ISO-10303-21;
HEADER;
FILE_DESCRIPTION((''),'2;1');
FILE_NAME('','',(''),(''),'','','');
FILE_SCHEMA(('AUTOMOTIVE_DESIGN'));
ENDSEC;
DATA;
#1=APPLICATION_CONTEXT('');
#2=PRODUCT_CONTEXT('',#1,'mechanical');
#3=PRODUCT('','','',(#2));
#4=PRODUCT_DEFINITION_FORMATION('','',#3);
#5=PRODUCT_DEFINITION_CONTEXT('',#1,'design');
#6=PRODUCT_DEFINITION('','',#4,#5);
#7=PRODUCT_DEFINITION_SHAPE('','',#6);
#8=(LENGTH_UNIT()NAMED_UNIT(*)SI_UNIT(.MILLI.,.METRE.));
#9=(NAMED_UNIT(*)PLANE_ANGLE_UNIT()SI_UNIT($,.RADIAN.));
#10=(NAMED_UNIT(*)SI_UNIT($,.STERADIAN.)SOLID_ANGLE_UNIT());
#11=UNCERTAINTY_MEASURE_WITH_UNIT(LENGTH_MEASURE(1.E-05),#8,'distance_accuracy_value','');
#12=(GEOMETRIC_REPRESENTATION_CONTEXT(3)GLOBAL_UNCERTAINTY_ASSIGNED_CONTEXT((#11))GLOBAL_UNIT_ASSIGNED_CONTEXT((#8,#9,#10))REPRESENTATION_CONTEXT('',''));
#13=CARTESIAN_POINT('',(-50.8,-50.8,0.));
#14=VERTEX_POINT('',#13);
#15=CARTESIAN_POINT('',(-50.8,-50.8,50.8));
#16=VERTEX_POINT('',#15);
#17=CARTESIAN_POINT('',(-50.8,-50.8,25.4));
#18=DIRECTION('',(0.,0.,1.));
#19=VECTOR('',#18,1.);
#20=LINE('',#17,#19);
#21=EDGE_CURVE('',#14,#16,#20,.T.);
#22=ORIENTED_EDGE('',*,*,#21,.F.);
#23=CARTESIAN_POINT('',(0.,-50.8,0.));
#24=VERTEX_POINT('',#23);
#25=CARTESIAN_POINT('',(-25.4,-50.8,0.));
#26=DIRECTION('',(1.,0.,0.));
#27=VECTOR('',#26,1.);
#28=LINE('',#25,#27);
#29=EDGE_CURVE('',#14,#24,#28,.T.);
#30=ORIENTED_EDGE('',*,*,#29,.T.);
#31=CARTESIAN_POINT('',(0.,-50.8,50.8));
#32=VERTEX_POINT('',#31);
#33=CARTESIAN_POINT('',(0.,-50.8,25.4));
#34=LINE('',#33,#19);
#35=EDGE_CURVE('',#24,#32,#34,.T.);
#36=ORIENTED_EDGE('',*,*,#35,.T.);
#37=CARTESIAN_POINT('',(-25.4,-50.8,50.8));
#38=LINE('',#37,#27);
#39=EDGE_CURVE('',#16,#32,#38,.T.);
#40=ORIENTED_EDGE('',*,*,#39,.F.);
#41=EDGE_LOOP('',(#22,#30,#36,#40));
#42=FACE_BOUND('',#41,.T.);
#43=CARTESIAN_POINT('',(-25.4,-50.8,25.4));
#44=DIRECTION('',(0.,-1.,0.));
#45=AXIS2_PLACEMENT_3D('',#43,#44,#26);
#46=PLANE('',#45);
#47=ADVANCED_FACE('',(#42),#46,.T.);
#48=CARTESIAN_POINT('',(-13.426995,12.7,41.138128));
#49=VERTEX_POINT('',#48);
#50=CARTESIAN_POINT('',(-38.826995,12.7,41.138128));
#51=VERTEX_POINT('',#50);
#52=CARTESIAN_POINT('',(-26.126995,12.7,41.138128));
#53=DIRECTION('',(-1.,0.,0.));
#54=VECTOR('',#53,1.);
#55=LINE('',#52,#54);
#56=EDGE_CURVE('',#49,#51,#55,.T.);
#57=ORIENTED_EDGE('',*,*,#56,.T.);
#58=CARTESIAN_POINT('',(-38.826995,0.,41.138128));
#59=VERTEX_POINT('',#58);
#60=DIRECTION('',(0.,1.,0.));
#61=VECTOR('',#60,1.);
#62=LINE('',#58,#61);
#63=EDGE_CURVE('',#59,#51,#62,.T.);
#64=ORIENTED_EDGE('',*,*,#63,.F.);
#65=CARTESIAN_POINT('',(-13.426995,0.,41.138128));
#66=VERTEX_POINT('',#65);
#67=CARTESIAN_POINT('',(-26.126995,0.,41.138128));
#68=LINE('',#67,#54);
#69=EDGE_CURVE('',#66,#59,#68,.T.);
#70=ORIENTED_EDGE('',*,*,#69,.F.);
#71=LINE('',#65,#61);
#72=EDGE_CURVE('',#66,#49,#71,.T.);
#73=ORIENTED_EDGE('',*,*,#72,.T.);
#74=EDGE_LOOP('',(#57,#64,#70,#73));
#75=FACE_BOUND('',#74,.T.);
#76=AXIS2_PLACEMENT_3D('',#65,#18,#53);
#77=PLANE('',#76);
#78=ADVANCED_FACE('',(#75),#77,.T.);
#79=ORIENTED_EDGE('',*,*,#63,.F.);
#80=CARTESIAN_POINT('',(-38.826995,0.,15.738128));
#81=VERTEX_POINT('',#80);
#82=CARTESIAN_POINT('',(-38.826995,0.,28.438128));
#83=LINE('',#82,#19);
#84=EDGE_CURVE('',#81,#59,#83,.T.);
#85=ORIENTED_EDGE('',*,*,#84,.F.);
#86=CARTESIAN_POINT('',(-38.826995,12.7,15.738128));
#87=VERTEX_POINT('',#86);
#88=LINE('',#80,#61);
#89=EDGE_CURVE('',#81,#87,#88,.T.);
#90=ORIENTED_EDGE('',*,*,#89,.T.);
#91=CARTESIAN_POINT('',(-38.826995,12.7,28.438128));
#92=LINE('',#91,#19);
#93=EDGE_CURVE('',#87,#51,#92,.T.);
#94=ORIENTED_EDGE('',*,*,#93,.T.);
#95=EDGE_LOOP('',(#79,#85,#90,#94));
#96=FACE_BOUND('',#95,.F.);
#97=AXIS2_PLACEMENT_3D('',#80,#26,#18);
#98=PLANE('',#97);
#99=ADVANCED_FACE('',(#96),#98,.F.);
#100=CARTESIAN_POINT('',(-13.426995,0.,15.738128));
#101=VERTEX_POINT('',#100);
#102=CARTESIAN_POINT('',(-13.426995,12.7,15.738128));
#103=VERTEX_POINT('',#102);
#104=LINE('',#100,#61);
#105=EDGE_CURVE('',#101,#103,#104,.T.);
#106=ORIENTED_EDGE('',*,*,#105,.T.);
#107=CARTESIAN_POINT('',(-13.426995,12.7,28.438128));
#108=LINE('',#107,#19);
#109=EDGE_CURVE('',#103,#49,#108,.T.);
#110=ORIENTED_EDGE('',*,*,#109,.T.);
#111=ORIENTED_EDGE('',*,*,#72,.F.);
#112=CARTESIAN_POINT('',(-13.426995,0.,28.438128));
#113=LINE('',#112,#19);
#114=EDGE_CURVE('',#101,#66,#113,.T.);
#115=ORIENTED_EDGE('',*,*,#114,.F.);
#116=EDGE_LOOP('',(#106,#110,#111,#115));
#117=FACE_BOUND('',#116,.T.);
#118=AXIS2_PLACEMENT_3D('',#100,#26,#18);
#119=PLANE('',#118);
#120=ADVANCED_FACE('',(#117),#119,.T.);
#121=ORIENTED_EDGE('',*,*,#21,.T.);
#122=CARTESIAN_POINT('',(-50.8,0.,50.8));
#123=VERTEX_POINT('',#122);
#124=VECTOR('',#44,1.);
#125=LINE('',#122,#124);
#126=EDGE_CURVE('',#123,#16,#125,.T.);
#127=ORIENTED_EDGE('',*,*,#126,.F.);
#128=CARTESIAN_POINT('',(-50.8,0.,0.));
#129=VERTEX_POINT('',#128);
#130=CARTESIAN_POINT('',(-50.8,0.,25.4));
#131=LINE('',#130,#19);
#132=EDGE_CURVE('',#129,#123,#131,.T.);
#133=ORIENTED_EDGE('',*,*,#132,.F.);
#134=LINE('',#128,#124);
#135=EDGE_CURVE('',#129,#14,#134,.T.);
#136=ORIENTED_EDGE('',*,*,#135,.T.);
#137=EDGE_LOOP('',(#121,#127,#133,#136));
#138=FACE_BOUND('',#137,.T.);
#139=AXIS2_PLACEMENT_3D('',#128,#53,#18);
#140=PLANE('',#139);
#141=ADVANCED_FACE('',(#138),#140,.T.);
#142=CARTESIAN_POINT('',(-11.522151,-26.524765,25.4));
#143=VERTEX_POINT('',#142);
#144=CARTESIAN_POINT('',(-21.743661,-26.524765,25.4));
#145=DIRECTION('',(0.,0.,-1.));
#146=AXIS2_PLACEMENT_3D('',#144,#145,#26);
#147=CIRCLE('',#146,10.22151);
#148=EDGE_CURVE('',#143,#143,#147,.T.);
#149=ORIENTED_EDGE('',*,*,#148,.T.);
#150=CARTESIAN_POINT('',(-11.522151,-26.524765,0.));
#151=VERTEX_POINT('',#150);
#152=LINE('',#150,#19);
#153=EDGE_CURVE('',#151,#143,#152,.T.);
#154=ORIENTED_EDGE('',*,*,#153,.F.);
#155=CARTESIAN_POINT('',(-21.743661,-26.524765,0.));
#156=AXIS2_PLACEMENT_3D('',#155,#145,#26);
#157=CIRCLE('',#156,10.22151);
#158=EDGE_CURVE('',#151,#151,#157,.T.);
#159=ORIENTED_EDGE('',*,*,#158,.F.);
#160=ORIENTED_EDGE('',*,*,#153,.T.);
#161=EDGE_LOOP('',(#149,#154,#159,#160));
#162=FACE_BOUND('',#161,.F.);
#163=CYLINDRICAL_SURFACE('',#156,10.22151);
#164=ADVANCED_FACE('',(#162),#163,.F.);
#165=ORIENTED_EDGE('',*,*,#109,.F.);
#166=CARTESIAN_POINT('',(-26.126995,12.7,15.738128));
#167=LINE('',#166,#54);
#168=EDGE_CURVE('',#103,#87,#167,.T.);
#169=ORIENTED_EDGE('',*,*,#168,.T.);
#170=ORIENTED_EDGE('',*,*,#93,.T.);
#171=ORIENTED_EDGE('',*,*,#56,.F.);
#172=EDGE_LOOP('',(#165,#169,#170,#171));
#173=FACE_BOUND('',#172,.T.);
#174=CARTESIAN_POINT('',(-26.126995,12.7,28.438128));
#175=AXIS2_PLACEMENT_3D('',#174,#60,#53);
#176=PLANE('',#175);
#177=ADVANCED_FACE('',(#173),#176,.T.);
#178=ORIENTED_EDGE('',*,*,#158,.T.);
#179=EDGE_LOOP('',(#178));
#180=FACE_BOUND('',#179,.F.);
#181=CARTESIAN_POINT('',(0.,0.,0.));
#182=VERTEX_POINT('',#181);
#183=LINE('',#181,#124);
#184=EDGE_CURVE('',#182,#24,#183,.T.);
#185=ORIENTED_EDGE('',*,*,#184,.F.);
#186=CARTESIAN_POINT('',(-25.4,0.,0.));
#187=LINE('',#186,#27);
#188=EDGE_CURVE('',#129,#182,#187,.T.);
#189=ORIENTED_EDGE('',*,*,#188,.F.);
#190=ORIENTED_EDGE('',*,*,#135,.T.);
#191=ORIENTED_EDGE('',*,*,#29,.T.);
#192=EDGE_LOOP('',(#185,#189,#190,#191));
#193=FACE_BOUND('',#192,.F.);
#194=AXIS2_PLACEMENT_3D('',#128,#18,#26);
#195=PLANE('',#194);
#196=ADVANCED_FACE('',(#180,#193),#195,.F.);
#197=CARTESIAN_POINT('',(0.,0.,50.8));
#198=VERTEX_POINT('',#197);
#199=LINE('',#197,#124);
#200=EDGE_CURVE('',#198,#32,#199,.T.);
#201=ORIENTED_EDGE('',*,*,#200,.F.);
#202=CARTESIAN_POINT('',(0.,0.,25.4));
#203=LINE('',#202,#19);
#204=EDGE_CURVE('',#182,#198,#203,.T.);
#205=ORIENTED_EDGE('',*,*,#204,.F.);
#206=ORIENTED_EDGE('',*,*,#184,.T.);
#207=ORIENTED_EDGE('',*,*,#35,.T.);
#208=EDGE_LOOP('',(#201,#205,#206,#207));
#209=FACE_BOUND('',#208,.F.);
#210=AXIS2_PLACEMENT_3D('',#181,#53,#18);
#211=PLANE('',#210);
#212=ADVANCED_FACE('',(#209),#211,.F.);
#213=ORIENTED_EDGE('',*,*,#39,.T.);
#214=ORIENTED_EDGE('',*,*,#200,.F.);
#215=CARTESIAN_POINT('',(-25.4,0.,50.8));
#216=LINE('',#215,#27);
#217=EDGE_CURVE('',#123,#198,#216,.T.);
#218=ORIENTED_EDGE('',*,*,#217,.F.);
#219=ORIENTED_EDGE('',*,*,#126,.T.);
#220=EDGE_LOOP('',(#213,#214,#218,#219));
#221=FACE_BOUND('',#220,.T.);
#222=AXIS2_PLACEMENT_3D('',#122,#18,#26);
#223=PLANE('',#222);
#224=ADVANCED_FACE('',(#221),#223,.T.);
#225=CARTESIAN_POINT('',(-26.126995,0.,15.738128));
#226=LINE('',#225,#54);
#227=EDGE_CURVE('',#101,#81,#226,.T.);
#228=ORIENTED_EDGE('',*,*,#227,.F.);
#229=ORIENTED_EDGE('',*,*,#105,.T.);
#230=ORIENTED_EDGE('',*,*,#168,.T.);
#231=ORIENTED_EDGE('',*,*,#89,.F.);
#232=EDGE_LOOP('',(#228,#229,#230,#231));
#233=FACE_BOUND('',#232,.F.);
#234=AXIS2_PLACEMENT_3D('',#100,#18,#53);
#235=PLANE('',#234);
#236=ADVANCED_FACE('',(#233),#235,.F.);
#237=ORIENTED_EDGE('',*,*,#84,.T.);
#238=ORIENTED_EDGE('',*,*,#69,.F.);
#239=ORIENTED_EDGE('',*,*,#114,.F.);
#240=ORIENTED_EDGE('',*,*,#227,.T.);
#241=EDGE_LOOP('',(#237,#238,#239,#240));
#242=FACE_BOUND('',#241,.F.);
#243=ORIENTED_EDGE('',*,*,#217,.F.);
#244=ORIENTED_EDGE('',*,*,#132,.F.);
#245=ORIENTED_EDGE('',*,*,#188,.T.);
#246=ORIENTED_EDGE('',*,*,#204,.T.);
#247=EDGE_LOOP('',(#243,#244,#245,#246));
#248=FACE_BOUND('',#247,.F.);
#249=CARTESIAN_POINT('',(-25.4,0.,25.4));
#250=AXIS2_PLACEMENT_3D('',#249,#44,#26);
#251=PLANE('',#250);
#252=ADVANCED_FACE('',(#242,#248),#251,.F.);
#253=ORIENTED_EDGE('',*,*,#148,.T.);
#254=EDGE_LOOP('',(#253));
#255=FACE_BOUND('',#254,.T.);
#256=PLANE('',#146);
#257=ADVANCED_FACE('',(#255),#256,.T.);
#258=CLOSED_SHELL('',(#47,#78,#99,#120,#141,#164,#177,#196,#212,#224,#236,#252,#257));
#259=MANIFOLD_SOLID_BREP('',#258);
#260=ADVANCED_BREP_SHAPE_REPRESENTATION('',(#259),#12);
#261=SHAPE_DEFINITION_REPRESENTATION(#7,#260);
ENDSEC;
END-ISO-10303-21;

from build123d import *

# Parameters (mm, degrees)
F0_W     = 50.8
F0_H     = 50.8
F1_DEPTH = 50.8
F2_W     = 25.4
F2_H     = 25.4
F3_DEPTH = 12.7
F4_R     = 10.22151
F5_DEPTH = 25.4


with BuildPart() as f1:
    # F0 (on Front) → F1 (new body)
    with BuildSketch(Plane.XZ):
        with Locations((-25.4, 25.4)):
            Rectangle(F0_W, F0_H)
    extrude(amount=F1_DEPTH)

    # F2 (on face) → F3 (join)
    with BuildSketch(Plane(origin=(0, 0, 0), x_dir=(-1, 0, 0), z_dir=(0, 1, 0))):
        with Locations((26.126995, 28.438128)):
            Rectangle(F2_W, F2_H)
    extrude(amount=F3_DEPTH)

    # F4 (on face) → F5 (cut)
    with BuildSketch(Plane(origin=(0, 0, 0), x_dir=(1, 0, 0), z_dir=(0, 0, -1))):
        with Locations((-21.743661, 26.524765)):
            Circle(F4_R)
    extrude(amount=-F5_DEPTH, mode=Mode.SUBTRACT)


solid = f1.part
